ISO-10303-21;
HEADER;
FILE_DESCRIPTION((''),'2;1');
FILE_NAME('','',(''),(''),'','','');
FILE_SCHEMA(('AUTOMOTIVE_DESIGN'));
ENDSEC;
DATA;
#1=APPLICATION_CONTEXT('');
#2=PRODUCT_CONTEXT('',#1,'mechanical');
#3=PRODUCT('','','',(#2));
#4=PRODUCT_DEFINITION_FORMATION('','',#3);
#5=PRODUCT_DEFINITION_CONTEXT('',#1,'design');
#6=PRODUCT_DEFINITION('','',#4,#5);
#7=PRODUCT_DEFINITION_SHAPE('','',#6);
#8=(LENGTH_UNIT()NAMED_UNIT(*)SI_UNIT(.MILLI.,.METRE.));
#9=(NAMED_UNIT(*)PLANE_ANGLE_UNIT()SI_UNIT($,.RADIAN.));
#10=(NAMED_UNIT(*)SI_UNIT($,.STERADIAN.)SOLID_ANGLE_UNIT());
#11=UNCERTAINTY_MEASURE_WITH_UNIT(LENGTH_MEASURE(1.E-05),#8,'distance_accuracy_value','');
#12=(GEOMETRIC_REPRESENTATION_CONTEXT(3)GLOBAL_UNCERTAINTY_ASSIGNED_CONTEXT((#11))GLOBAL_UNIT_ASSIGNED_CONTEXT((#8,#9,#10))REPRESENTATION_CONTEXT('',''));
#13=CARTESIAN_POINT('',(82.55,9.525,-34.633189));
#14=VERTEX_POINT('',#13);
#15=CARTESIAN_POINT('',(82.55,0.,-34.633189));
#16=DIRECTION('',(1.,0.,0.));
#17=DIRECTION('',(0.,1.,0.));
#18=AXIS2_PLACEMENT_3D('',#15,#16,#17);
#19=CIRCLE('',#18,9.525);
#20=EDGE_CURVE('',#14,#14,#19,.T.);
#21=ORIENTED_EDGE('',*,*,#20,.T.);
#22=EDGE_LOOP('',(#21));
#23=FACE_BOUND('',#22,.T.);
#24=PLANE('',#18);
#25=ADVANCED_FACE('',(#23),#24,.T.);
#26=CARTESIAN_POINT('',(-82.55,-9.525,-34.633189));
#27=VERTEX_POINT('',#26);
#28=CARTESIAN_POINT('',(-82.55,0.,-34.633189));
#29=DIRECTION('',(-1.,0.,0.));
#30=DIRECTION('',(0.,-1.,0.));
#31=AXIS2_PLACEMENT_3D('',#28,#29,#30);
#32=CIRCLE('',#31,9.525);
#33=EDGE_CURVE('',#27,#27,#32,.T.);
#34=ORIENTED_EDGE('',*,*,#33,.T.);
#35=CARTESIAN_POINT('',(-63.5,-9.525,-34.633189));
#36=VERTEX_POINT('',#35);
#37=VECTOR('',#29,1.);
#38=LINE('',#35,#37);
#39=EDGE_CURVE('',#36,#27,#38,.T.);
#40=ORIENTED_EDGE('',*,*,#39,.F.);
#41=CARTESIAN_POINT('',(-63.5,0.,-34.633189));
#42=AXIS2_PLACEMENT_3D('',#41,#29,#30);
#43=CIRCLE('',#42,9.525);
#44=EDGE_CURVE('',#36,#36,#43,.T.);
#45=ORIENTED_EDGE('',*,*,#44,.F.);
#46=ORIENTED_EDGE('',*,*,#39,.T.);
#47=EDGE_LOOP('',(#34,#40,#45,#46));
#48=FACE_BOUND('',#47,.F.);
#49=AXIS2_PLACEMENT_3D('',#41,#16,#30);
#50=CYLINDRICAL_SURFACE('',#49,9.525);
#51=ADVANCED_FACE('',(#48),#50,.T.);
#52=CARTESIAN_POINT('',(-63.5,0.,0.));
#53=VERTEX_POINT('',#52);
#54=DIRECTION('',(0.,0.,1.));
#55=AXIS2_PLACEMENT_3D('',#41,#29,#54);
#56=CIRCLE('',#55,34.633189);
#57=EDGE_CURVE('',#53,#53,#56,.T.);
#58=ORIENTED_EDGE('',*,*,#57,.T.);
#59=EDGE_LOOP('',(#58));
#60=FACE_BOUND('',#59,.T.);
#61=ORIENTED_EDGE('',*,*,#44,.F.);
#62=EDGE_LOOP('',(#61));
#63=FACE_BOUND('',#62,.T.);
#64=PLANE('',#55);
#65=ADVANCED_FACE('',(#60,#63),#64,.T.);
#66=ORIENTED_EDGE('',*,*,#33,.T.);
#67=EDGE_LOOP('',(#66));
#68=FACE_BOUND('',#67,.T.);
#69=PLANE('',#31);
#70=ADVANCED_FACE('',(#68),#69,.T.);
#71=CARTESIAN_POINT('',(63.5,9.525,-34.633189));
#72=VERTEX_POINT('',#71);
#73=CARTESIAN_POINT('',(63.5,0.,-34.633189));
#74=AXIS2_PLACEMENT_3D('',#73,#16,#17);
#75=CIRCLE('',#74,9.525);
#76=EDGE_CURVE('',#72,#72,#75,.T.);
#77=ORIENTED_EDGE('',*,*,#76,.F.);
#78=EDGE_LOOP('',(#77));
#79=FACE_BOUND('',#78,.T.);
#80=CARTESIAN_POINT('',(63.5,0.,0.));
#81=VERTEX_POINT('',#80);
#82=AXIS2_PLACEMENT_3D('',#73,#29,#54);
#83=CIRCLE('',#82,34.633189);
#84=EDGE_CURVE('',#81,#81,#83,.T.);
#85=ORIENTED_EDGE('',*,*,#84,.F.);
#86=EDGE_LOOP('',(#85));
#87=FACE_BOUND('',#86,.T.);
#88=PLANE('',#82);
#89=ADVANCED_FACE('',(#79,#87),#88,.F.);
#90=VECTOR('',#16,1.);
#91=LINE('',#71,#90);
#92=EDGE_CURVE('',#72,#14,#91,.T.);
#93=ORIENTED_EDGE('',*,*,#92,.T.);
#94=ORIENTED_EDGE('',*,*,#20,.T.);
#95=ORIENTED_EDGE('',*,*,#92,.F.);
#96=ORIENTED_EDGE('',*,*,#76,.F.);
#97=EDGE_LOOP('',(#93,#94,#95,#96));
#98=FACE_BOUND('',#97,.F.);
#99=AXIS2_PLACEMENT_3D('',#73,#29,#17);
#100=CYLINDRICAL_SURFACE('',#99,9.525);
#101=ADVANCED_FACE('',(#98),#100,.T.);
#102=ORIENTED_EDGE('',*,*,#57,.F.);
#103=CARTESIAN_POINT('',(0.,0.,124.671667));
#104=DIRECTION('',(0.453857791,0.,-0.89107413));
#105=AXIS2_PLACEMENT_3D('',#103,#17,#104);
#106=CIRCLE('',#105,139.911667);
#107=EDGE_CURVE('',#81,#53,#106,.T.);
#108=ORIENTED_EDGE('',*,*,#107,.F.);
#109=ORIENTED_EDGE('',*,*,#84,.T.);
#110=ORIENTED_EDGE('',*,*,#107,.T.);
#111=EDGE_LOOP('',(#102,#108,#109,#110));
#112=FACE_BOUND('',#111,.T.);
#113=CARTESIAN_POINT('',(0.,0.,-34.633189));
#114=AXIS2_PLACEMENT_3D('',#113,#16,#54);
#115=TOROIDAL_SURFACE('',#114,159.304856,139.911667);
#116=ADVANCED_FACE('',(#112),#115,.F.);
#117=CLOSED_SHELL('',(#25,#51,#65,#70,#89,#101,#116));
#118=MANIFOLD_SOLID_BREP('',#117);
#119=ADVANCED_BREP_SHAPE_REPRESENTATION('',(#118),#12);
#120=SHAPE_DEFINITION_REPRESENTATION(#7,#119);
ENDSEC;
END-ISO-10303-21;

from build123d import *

# Parameters (mm, degrees)
F2_R     = 9.525
F3_DEPTH = 19.05
F4_R     = 9.525
F5_DEPTH = 19.05


with BuildPart() as f1:
    # F0 (on Front) → F1 (revolve)
    with BuildSketch(Plane.XZ):
        with BuildLine():
            ThreePointArc((63.5, 0), (0, -15.24), (-63.5, 0))
            Line((-63.5, 0), (-63.5, -34.633189))
            Line((-63.5, -34.633189), (63.5, -34.633189))
            Line((63.5, -34.633189), (63.5, 0))
        make_face()
    revolve(axis=Axis((0, 0, -34.633189), (-1, 0, 0)))

    # F2 (on face) → F3 (join)
    with BuildSketch(Plane(origin=(-63.5, 0, 0), x_dir=(0, -1, 0), z_dir=(-1, 0, 0))):
        with Locations((0, -34.633189)):
            Circle(F2_R)
    extrude(amount=F3_DEPTH)

    # F4 (on face) → F5 (join)
    with BuildSketch(Plane.YZ.offset(63.5)):
        with Locations((0, -34.633189)):
            Circle(F4_R)
    extrude(amount=F5_DEPTH)


solid = f1.part
